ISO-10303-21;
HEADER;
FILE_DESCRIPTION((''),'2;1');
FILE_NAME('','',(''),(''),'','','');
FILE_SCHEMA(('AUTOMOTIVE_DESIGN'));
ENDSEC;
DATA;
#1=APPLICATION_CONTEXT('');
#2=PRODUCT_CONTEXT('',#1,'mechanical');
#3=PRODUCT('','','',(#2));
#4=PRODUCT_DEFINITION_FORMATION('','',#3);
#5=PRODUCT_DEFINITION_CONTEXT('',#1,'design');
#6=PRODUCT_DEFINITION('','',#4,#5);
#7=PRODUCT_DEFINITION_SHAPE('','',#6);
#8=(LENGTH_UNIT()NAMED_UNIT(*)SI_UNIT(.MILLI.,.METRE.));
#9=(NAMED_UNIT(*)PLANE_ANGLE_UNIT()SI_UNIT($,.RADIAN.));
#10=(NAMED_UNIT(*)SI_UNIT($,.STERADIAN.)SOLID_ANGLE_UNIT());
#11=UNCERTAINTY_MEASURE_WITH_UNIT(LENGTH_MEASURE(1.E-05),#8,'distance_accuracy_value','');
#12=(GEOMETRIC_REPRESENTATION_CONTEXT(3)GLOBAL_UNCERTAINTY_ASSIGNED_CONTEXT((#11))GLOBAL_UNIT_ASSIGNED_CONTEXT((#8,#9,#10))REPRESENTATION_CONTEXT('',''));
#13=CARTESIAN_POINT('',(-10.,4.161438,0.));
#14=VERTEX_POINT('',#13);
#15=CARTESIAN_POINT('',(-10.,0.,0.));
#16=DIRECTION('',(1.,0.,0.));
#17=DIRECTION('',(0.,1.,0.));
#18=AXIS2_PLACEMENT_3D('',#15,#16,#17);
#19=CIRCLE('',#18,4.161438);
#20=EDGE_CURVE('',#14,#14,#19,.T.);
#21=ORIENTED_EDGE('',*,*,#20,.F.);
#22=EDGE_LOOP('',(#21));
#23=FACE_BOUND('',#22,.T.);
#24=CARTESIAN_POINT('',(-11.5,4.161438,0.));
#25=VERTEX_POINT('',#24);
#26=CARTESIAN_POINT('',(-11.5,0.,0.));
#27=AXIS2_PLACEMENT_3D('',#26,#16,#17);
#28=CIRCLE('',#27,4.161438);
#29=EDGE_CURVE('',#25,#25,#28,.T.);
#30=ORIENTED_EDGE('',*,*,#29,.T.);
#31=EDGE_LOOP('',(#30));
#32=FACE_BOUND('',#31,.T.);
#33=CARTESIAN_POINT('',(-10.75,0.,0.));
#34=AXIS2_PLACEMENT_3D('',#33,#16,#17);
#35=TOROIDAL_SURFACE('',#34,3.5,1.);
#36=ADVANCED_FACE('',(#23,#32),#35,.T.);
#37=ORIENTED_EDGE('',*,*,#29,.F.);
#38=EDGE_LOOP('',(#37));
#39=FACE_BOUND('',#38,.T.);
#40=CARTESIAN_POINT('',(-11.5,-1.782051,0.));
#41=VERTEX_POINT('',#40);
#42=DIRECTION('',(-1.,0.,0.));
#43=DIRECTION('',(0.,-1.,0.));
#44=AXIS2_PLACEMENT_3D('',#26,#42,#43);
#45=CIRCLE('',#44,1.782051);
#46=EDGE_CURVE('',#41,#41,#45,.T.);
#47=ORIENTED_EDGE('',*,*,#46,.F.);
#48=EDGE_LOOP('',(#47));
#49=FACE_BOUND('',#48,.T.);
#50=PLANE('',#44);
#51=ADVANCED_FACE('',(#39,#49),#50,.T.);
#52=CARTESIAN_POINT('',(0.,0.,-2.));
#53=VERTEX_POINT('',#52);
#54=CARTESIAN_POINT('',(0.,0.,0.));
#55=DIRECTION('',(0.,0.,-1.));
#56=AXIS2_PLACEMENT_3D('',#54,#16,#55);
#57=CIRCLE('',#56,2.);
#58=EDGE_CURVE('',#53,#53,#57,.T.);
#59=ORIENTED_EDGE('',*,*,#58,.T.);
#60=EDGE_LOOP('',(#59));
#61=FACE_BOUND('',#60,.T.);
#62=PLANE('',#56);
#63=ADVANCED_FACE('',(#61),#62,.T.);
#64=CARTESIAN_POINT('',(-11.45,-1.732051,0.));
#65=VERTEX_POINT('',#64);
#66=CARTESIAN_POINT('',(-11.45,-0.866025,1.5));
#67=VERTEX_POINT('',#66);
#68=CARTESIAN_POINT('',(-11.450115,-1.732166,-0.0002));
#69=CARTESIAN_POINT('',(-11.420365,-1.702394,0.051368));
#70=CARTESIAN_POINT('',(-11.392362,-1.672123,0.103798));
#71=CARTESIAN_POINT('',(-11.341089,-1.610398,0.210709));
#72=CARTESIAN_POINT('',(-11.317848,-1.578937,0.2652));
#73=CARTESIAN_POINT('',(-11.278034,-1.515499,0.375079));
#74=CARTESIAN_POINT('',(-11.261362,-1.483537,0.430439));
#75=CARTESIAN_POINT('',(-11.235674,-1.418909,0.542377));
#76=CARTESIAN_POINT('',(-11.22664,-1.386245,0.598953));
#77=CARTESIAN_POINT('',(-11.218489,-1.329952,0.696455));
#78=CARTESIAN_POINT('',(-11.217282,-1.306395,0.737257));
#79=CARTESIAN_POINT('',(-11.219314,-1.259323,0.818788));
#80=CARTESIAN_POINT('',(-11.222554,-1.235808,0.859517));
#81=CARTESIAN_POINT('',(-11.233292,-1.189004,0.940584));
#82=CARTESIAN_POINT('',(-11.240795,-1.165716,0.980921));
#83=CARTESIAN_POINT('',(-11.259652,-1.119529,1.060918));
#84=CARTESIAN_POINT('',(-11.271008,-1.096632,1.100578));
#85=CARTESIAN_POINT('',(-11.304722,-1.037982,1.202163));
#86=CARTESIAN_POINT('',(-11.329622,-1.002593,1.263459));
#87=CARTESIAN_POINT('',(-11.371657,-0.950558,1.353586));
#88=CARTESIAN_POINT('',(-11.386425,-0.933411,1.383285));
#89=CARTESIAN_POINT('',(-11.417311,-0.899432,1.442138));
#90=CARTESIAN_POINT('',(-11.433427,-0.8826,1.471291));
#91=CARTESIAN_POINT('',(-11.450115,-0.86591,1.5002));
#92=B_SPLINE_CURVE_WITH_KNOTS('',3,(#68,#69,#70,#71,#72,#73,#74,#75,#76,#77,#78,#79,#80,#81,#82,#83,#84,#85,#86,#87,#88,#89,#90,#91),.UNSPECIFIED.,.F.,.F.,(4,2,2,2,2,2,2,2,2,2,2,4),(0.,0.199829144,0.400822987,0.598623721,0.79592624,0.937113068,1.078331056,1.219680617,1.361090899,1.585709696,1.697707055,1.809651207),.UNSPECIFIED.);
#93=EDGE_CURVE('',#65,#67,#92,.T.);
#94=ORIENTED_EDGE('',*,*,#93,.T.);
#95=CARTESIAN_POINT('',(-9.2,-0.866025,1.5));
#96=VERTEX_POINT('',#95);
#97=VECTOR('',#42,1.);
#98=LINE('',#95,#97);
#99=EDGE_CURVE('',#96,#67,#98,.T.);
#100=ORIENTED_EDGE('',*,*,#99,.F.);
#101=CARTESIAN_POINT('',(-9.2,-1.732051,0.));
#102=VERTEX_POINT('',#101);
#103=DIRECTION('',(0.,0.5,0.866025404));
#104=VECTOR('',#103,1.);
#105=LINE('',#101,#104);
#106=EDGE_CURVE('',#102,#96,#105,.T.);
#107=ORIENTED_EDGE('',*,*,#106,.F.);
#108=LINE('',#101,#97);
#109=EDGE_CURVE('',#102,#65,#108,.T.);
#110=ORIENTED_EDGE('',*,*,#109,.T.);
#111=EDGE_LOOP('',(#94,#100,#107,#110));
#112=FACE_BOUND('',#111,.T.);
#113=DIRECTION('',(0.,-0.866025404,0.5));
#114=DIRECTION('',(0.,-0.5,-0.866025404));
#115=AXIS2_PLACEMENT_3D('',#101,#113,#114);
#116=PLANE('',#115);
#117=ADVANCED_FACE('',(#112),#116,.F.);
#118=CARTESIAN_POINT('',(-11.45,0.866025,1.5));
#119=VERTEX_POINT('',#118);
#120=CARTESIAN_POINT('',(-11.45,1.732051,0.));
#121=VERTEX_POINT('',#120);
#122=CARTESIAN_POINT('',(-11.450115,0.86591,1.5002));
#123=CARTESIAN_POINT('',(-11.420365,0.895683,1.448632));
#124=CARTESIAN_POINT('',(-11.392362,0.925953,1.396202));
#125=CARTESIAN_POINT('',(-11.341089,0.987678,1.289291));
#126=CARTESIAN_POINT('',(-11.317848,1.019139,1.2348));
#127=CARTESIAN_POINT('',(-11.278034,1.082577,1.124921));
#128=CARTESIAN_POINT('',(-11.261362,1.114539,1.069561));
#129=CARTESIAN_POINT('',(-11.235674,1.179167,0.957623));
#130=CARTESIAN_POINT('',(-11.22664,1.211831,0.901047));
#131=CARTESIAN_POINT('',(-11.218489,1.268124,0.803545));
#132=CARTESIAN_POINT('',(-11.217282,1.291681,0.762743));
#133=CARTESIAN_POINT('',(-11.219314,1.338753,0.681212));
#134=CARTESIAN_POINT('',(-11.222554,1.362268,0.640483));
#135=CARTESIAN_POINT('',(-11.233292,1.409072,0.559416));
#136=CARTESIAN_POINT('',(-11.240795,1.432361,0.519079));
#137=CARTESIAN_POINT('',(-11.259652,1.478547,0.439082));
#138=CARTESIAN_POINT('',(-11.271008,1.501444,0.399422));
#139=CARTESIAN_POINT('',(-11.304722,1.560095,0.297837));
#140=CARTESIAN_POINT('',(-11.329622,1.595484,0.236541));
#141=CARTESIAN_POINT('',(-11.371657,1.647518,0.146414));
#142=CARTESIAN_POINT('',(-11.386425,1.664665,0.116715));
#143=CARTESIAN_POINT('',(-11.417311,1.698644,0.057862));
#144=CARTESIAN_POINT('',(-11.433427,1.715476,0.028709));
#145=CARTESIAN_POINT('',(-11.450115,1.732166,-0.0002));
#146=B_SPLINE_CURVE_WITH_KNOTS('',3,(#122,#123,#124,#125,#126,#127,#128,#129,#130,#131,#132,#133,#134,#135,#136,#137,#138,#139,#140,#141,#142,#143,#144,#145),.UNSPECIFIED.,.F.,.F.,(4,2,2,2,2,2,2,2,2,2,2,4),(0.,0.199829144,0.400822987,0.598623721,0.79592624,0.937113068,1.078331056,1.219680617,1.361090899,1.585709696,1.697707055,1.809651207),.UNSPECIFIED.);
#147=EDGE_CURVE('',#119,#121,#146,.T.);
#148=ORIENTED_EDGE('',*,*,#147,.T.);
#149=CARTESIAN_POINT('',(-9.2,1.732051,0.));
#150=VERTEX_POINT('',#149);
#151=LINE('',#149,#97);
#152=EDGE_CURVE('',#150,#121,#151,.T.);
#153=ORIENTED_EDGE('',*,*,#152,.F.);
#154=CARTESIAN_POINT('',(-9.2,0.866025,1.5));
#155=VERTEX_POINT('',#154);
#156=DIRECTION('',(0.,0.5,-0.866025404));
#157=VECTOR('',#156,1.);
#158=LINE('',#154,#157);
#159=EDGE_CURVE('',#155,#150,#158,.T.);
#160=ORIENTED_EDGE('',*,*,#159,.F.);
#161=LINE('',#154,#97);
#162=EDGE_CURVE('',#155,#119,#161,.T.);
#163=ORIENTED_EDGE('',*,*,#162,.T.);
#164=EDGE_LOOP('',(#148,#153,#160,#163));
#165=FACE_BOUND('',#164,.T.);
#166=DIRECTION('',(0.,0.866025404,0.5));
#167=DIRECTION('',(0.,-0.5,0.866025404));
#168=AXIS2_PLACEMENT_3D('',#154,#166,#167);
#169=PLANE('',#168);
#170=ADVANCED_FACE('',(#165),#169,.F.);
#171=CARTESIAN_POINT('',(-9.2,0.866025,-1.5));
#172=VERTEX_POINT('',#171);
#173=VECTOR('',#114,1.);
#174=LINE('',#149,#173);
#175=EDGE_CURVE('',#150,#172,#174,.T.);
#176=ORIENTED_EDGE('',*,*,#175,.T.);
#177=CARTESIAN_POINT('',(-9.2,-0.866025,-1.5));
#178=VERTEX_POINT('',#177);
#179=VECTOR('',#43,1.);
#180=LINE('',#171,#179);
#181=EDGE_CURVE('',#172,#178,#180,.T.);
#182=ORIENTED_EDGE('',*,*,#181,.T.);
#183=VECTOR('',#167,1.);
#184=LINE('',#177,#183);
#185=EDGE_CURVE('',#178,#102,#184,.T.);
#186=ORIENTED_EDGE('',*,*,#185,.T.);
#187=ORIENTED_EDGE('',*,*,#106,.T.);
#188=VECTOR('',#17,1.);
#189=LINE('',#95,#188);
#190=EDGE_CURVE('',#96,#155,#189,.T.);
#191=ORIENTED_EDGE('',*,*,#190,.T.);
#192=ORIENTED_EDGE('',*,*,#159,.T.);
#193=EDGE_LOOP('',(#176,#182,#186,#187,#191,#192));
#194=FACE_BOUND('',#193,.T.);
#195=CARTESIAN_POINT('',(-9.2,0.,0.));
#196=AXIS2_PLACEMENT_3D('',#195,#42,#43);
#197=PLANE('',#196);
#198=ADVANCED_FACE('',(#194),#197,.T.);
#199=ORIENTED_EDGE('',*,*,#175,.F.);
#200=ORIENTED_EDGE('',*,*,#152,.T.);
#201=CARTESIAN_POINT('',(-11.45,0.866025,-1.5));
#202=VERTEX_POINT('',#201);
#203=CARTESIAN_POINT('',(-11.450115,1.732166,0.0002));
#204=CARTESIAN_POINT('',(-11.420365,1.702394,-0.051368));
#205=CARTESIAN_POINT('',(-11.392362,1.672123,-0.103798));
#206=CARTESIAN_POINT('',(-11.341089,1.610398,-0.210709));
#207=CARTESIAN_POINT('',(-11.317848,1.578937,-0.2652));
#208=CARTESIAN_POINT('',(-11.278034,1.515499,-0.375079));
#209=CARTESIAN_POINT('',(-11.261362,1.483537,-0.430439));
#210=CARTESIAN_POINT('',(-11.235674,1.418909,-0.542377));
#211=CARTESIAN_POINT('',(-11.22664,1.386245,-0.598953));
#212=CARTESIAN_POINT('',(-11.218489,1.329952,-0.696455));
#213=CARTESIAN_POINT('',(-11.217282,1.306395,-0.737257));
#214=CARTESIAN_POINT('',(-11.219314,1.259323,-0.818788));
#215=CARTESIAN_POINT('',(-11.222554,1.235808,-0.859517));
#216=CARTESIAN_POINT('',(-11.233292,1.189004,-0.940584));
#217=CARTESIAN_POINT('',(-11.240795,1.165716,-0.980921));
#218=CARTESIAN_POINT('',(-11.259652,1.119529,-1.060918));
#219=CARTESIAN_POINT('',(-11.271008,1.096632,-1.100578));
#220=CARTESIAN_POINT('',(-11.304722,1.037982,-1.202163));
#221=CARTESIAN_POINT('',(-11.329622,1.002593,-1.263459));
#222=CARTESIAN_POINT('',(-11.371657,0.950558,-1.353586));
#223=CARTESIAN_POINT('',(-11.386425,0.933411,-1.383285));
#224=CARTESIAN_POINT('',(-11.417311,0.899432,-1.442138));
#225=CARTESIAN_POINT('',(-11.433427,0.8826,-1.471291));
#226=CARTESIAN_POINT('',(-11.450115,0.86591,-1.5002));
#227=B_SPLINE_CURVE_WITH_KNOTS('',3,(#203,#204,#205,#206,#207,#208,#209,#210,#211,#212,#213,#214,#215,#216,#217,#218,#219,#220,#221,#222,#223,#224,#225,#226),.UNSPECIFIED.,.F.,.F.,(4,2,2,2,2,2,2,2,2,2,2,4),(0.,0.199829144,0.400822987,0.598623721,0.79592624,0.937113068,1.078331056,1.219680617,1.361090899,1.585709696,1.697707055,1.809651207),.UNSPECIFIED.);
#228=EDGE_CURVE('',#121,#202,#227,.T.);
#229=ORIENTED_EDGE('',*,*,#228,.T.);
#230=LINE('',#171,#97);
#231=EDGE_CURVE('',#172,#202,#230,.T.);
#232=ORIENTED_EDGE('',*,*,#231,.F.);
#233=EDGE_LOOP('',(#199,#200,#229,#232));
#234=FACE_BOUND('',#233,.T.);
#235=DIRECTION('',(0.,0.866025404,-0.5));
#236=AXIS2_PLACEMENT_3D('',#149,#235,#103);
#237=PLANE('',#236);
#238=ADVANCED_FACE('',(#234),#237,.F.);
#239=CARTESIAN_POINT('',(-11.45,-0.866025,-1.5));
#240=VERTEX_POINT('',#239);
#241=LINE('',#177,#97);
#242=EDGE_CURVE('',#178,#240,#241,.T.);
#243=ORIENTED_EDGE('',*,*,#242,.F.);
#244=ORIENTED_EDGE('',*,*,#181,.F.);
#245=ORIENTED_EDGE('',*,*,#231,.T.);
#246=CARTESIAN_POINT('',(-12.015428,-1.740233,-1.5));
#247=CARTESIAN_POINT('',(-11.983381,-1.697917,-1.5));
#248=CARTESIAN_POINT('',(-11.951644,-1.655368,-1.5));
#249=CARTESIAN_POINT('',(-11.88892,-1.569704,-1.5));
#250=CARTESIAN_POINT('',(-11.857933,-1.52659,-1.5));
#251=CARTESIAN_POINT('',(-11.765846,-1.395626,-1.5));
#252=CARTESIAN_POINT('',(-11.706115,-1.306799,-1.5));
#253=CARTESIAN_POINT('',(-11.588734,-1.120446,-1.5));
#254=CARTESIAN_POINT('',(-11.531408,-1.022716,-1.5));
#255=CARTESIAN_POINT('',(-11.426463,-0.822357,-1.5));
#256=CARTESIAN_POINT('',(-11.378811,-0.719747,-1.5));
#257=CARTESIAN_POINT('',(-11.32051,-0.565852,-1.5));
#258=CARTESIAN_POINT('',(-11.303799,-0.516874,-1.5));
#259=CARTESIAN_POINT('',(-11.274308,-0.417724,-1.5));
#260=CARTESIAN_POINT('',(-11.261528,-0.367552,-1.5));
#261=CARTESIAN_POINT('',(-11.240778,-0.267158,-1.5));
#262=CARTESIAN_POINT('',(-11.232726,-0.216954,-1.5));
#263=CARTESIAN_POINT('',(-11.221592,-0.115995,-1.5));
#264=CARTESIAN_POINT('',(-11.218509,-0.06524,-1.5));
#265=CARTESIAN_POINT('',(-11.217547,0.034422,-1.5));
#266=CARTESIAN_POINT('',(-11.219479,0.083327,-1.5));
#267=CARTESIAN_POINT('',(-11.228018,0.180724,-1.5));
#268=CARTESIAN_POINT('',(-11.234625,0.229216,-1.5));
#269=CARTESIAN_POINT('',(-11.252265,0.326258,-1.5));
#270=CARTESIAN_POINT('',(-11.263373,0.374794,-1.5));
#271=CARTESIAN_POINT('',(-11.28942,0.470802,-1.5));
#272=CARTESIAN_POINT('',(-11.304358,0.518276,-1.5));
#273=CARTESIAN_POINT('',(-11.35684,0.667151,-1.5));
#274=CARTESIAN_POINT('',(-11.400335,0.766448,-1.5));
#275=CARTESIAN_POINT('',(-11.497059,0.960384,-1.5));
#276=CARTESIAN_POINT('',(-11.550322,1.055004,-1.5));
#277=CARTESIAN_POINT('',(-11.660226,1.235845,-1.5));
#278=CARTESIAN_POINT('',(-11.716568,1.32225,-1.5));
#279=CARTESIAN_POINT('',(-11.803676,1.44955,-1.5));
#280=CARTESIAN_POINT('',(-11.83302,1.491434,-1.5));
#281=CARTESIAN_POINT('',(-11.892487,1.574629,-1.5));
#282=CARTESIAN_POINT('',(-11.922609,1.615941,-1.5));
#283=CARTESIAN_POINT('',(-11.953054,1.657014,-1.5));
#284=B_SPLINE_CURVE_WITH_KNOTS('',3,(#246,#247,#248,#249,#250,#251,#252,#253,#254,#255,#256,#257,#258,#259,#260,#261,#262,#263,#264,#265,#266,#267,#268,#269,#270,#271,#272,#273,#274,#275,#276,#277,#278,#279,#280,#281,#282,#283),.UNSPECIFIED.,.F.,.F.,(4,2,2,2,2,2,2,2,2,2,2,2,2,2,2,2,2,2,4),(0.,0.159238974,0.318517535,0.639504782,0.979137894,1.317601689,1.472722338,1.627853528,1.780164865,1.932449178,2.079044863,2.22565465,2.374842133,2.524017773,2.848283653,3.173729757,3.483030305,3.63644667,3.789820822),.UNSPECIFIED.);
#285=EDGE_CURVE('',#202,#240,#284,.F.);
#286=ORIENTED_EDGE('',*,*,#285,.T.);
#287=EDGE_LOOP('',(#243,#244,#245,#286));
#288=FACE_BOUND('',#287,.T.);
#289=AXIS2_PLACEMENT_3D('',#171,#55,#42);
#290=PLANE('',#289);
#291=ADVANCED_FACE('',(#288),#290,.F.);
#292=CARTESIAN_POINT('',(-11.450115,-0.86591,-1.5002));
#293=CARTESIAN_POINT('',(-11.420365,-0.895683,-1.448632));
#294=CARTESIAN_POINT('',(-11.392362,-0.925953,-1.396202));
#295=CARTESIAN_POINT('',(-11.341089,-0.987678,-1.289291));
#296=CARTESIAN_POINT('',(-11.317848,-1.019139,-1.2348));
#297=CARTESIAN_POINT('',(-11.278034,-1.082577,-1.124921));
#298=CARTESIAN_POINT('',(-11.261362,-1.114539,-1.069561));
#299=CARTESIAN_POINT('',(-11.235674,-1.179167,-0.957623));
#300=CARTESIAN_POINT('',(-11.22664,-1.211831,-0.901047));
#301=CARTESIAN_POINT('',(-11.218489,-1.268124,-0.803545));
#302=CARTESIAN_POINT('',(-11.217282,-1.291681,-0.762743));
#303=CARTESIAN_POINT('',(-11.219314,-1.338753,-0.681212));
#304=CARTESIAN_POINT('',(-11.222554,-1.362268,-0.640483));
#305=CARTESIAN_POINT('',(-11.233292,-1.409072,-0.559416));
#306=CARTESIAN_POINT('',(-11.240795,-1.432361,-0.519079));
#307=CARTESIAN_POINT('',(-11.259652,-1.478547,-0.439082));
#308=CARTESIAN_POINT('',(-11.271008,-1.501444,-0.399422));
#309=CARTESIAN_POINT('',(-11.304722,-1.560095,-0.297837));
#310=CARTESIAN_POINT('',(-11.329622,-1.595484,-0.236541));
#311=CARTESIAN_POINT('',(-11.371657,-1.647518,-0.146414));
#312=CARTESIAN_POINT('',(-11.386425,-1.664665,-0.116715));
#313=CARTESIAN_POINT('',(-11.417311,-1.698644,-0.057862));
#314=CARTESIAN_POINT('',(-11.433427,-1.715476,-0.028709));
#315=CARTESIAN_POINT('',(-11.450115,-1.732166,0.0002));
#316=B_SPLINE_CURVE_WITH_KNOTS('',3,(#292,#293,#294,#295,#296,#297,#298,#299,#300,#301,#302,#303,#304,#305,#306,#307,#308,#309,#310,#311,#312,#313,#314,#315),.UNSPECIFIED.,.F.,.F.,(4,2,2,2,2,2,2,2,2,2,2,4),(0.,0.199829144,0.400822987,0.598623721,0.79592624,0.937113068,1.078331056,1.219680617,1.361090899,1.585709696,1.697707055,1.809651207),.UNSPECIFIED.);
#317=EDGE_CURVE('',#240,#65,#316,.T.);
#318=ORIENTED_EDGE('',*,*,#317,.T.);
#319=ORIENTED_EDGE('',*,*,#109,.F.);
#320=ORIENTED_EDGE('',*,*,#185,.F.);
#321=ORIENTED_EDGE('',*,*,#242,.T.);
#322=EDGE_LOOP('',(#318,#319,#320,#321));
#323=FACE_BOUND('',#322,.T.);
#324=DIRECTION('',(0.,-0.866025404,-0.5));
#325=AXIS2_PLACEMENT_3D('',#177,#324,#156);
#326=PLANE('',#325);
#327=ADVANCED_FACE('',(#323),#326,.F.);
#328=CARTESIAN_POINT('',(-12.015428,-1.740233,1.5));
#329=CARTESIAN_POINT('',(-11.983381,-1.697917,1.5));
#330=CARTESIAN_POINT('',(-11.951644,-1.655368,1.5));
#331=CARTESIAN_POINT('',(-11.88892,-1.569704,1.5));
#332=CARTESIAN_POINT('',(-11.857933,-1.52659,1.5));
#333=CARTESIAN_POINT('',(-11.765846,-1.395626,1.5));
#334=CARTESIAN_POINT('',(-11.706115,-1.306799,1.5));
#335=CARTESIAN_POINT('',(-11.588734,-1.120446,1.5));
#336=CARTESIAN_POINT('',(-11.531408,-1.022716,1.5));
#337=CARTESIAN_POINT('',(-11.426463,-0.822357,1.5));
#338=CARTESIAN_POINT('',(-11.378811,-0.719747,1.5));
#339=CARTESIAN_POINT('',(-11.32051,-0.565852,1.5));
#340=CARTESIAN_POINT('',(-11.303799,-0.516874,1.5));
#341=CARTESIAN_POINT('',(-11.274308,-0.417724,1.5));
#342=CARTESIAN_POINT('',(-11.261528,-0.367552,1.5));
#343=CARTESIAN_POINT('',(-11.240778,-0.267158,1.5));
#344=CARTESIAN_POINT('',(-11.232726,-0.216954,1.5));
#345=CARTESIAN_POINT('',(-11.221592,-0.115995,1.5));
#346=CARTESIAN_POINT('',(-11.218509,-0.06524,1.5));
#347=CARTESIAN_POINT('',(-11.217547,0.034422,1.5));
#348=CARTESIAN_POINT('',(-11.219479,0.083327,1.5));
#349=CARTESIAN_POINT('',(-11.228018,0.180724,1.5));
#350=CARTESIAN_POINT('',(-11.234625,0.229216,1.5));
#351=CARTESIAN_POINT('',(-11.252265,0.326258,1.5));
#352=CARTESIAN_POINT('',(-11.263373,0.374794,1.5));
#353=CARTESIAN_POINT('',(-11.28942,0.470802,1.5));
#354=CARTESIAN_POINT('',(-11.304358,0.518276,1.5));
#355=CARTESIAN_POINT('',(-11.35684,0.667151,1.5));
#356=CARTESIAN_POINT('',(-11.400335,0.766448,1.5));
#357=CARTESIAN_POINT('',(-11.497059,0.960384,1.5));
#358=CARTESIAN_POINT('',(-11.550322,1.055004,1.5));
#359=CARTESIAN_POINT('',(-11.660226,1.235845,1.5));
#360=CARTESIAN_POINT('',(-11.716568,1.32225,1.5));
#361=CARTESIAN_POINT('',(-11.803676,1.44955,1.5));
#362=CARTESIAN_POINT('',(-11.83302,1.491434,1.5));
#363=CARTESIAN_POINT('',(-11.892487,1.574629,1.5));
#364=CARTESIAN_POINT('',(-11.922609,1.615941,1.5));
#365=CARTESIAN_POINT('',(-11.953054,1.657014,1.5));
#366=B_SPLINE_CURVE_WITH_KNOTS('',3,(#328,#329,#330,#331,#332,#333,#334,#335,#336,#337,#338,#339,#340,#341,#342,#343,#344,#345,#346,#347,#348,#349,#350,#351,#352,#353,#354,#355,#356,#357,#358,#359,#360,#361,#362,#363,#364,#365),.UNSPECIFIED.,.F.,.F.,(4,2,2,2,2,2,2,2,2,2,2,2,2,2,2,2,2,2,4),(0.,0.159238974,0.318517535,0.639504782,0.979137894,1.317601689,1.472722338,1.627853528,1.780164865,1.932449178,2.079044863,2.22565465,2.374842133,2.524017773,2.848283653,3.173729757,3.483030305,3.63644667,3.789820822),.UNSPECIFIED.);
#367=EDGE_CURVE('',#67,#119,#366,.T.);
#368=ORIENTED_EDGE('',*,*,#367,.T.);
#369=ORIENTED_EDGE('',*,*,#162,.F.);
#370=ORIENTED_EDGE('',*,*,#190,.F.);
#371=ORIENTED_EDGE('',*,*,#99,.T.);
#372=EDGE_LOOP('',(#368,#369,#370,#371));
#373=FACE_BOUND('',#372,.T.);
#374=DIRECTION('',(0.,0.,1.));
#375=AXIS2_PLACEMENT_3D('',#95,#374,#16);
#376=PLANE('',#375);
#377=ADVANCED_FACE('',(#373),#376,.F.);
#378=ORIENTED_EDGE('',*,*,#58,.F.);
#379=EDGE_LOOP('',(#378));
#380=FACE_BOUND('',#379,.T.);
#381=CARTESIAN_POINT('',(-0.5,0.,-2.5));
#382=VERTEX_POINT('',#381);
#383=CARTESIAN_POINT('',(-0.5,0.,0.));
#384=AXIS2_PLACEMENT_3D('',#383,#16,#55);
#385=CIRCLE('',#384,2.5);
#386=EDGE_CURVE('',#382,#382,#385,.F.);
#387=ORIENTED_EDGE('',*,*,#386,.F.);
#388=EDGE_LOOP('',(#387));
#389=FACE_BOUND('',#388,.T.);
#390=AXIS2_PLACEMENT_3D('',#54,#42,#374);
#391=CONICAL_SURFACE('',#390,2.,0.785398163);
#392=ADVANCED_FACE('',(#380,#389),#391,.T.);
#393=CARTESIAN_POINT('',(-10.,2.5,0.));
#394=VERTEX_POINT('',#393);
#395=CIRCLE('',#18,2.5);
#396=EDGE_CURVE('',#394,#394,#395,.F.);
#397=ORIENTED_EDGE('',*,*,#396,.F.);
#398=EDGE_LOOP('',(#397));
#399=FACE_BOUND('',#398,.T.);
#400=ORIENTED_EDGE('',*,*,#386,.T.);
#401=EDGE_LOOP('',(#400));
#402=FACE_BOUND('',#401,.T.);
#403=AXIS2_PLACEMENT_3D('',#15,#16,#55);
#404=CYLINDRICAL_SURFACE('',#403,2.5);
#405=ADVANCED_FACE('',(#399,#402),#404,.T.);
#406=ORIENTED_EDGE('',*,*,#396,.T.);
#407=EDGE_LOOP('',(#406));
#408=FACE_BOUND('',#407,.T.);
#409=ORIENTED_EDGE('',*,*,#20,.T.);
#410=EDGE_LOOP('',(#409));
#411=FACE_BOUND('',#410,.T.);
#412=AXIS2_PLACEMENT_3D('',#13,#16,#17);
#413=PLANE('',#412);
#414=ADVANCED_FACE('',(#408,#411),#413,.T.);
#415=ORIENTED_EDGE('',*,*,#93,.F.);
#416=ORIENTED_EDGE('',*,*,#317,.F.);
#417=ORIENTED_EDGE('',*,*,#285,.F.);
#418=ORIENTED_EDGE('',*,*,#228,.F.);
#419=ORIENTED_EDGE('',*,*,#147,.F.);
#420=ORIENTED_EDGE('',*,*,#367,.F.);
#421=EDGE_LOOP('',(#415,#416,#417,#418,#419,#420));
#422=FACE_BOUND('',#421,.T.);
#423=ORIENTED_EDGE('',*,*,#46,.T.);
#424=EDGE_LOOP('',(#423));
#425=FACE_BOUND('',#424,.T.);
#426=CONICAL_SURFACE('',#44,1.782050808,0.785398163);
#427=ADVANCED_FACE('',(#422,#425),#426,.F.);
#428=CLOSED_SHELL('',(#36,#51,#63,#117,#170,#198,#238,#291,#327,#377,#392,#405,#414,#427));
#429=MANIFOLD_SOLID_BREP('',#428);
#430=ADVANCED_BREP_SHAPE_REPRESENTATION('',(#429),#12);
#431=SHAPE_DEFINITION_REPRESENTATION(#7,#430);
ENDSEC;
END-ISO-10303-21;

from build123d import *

# Parameters (mm, degrees)
SKETCH2_R           = 2.5
BOSS_EXTRUDE1_DEPTH = 10
CHAMFER1_SIZE       = 0.5
CUT_EXTRUDE1_DEPTH  = 2.3
SKETCH8_R           = 1.782050808
CUT_EXTRUDE2_DEPTH  = 1
CUT_EXTRUDE2_TAPER  = 45


with BuildPart() as part:
    # Sketch2 → Boss-Extrude1 (new body)
    with BuildSketch(Plane(origin=(0, 0, 0), x_dir=(0, 0, -1), z_dir=(1, 0, 0))):
        Circle(SKETCH2_R)
    extrude(amount=-BOSS_EXTRUDE1_DEPTH)

    # Chamfer1
    chamfer1_edges = [part.edges().sort_by_distance(p)[0] for p in [
        (0, 0, 2.5),
    ]]
    chamfer(chamfer1_edges, length=CHAMFER1_SIZE)

    # Sketch6 → Revolve1 (revolve)
    with BuildSketch(Plane.XY):
        with BuildLine():
            Line((-11.5, 0), (-11.5, 4.161437828))
            ThreePointArc((-11.5, 4.161437828), (-10.75, 4.5), (-10, 4.161437828))
            Line((-10, 4.161437828), (-10, 0))
            Line((-10, 0), (-11.5, 0))
        make_face()
    revolve(axis=Axis((-10, 0, 0), (-1, 0, 0)))

    # Sketch7 → Cut-Extrude1 (cut)
    with BuildSketch(Plane.ZY.offset(11.5)):
        Polygon((0, 1.732050808), (-1.5, 0.866025404), (-1.5, -0.866025404), (0, -1.732050808), (1.5, -0.866025404), (1.5, 0.866025404), align=None)
    extrude(amount=-CUT_EXTRUDE1_DEPTH, mode=Mode.SUBTRACT)

    # Sketch8 → Cut-Extrude2 (cut)
    with BuildSketch(Plane.ZY.offset(11.5)):
        Circle(SKETCH8_R)
    extrude(amount=-CUT_EXTRUDE2_DEPTH, taper=CUT_EXTRUDE2_TAPER, mode=Mode.SUBTRACT)


solid = part.part
